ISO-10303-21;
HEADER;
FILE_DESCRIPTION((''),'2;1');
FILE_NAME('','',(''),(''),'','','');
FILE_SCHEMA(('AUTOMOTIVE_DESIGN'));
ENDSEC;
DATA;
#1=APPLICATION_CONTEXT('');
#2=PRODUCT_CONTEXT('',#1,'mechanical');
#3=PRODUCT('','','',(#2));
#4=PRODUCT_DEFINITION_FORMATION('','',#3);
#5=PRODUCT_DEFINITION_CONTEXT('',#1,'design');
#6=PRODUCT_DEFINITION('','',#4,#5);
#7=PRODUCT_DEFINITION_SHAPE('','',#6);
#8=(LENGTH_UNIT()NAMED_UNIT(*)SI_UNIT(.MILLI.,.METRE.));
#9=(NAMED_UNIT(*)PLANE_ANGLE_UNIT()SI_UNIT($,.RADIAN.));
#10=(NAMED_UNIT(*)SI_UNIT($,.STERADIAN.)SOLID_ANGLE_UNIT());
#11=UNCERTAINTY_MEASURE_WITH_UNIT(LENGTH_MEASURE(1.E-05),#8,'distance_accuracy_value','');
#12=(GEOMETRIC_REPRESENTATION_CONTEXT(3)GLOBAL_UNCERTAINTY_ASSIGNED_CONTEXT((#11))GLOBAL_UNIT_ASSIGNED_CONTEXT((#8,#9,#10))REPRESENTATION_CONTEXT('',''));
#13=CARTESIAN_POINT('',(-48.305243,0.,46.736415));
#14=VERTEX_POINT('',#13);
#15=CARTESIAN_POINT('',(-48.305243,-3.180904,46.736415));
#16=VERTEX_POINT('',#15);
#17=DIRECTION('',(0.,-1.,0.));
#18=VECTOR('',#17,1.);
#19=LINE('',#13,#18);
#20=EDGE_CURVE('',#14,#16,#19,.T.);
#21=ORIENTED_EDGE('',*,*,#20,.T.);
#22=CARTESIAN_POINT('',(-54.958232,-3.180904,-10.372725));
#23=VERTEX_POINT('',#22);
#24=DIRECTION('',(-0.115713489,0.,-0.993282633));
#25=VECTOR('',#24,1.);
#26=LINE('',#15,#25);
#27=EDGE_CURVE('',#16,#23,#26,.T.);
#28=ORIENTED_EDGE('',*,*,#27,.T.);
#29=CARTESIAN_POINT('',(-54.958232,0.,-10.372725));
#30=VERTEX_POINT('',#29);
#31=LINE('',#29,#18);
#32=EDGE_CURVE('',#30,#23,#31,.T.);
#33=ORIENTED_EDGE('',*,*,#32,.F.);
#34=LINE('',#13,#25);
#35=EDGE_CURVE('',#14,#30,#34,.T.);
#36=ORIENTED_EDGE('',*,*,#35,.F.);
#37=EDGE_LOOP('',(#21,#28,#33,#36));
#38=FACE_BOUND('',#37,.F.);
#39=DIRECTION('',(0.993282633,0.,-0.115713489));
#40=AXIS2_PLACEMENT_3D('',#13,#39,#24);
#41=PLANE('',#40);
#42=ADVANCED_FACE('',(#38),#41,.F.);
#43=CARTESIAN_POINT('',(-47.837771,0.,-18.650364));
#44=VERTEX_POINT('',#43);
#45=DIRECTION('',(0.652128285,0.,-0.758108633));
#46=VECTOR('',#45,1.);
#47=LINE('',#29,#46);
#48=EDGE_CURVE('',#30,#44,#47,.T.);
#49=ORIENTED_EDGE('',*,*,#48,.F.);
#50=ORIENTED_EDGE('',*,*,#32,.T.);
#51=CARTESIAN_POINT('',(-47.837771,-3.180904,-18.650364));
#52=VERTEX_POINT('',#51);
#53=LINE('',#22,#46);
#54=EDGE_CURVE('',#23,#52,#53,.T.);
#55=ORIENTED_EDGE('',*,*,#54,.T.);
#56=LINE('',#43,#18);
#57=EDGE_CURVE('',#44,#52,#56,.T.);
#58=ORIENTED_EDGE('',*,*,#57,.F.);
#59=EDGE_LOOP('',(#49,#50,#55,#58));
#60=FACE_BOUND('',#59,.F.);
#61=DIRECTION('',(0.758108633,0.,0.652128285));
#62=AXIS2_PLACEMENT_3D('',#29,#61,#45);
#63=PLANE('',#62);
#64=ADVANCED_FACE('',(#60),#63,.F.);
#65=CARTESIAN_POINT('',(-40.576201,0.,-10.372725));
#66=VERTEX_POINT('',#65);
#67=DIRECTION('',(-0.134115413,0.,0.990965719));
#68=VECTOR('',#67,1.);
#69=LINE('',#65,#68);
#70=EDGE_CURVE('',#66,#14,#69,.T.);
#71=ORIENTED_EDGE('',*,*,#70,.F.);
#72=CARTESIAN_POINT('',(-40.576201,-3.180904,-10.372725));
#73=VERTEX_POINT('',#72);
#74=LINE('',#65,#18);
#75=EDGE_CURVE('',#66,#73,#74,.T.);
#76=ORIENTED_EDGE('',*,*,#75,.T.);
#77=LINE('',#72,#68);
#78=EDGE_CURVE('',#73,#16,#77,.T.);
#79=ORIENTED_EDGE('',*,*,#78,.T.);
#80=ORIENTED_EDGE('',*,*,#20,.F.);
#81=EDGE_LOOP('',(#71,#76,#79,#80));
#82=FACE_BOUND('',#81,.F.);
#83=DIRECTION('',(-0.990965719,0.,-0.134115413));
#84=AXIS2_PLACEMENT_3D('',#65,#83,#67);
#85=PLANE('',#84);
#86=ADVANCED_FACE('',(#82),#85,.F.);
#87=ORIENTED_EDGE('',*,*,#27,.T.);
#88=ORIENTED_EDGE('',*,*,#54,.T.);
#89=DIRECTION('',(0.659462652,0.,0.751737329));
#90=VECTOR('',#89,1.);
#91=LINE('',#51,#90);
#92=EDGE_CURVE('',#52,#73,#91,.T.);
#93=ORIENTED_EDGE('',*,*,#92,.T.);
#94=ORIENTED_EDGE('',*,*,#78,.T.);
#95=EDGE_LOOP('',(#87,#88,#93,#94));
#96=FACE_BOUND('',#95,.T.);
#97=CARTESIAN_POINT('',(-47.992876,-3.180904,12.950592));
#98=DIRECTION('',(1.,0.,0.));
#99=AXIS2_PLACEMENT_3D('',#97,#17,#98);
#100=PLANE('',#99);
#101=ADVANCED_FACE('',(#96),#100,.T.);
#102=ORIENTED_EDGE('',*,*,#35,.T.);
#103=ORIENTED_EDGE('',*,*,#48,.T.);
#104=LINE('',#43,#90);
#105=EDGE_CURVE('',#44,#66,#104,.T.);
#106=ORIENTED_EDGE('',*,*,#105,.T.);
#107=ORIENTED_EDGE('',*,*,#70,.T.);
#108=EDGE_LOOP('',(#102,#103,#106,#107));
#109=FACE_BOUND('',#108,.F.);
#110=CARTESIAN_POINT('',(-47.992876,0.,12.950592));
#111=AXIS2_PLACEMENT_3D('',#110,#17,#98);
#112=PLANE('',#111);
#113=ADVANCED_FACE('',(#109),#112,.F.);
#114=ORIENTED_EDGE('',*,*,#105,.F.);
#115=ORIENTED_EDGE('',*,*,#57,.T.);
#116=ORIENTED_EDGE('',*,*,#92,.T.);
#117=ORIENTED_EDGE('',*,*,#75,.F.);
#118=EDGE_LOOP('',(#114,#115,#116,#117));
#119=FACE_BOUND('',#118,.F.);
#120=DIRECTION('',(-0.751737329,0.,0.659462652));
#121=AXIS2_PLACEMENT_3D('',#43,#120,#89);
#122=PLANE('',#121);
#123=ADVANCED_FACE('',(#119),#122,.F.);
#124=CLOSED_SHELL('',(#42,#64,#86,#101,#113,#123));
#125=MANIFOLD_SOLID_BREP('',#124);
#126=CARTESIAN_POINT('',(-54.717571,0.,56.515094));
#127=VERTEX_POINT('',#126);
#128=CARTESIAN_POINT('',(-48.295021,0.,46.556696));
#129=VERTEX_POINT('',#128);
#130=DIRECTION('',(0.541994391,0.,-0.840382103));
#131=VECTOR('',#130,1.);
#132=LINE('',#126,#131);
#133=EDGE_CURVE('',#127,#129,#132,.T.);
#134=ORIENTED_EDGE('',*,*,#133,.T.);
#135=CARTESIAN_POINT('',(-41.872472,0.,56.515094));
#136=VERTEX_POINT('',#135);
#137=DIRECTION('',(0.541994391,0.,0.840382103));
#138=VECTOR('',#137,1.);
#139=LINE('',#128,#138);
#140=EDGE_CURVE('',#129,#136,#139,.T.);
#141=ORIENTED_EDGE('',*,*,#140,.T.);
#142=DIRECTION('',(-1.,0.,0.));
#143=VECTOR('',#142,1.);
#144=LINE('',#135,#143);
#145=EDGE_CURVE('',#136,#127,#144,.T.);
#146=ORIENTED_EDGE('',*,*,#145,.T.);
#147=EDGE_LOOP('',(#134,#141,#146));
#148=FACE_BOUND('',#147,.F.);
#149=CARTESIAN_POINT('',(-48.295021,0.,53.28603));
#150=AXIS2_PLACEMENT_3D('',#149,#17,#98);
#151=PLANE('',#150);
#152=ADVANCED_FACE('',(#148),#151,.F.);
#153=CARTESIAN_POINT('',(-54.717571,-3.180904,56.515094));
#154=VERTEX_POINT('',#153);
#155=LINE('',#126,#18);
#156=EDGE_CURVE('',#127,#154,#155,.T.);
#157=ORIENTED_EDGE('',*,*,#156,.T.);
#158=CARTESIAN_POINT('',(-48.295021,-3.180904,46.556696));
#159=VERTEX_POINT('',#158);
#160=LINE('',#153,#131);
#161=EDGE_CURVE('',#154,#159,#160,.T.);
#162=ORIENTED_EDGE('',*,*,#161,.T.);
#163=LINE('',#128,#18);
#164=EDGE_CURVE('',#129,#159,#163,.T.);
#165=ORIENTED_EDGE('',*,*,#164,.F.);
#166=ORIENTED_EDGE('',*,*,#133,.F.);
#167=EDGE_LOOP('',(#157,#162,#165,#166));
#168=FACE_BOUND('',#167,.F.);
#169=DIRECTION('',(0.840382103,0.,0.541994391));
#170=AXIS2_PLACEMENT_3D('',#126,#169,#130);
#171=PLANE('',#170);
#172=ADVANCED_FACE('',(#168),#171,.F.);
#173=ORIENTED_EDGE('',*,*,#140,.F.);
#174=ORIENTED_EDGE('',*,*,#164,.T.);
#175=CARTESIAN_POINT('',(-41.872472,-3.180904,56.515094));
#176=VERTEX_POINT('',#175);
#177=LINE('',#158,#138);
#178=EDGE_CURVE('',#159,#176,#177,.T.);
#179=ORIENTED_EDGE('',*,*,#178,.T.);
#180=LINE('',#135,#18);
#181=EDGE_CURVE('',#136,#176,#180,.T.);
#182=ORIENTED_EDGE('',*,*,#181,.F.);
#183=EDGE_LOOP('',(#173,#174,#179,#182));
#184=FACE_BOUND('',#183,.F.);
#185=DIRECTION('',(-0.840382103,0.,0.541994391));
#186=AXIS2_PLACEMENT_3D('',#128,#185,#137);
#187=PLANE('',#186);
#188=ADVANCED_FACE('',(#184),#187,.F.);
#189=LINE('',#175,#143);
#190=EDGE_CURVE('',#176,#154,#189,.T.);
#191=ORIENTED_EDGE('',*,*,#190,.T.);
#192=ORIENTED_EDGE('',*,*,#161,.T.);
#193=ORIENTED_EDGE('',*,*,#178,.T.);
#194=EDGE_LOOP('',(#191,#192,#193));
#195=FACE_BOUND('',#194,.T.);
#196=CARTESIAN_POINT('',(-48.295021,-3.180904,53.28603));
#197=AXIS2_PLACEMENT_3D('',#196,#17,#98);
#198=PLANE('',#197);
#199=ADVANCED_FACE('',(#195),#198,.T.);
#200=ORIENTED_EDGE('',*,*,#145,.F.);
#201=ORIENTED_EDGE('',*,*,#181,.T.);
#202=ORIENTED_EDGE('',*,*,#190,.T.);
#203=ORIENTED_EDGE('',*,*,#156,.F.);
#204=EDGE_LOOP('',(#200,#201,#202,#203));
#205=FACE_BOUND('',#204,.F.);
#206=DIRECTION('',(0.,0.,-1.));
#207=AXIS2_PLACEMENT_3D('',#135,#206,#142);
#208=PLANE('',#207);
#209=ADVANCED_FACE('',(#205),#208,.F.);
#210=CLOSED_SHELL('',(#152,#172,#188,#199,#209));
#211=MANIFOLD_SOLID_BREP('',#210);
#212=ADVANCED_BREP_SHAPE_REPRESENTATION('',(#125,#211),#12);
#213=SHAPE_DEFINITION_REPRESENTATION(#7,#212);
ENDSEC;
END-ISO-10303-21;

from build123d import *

# Parameters (mm, degrees)
F2_DEPTH = 3.1809043139


with BuildPart() as f2:
    # F1 (on Front) → F2 (new body)
    with BuildSketch(Plane.XZ):
        Polygon((-40.5762009323, -10.3727253154), (-48.3052432537, 46.7364154756), (-54.9582317472, -10.3727253154), (-47.8377714753, -18.6503641307), align=None)
    extrude(amount=F2_DEPTH)


with BuildPart() as f2b:
    # F0 (on Front) → F2, piece 2 (new body)
    with BuildSketch(Plane.XZ):
        Polygon((-41.872471571, 56.5150938928), (-54.7175705433, 56.5150938928), (-48.2950210571, 46.5566962957), align=None)
    extrude(amount=F2_DEPTH)


solid = Compound([f2.part, f2b.part])
